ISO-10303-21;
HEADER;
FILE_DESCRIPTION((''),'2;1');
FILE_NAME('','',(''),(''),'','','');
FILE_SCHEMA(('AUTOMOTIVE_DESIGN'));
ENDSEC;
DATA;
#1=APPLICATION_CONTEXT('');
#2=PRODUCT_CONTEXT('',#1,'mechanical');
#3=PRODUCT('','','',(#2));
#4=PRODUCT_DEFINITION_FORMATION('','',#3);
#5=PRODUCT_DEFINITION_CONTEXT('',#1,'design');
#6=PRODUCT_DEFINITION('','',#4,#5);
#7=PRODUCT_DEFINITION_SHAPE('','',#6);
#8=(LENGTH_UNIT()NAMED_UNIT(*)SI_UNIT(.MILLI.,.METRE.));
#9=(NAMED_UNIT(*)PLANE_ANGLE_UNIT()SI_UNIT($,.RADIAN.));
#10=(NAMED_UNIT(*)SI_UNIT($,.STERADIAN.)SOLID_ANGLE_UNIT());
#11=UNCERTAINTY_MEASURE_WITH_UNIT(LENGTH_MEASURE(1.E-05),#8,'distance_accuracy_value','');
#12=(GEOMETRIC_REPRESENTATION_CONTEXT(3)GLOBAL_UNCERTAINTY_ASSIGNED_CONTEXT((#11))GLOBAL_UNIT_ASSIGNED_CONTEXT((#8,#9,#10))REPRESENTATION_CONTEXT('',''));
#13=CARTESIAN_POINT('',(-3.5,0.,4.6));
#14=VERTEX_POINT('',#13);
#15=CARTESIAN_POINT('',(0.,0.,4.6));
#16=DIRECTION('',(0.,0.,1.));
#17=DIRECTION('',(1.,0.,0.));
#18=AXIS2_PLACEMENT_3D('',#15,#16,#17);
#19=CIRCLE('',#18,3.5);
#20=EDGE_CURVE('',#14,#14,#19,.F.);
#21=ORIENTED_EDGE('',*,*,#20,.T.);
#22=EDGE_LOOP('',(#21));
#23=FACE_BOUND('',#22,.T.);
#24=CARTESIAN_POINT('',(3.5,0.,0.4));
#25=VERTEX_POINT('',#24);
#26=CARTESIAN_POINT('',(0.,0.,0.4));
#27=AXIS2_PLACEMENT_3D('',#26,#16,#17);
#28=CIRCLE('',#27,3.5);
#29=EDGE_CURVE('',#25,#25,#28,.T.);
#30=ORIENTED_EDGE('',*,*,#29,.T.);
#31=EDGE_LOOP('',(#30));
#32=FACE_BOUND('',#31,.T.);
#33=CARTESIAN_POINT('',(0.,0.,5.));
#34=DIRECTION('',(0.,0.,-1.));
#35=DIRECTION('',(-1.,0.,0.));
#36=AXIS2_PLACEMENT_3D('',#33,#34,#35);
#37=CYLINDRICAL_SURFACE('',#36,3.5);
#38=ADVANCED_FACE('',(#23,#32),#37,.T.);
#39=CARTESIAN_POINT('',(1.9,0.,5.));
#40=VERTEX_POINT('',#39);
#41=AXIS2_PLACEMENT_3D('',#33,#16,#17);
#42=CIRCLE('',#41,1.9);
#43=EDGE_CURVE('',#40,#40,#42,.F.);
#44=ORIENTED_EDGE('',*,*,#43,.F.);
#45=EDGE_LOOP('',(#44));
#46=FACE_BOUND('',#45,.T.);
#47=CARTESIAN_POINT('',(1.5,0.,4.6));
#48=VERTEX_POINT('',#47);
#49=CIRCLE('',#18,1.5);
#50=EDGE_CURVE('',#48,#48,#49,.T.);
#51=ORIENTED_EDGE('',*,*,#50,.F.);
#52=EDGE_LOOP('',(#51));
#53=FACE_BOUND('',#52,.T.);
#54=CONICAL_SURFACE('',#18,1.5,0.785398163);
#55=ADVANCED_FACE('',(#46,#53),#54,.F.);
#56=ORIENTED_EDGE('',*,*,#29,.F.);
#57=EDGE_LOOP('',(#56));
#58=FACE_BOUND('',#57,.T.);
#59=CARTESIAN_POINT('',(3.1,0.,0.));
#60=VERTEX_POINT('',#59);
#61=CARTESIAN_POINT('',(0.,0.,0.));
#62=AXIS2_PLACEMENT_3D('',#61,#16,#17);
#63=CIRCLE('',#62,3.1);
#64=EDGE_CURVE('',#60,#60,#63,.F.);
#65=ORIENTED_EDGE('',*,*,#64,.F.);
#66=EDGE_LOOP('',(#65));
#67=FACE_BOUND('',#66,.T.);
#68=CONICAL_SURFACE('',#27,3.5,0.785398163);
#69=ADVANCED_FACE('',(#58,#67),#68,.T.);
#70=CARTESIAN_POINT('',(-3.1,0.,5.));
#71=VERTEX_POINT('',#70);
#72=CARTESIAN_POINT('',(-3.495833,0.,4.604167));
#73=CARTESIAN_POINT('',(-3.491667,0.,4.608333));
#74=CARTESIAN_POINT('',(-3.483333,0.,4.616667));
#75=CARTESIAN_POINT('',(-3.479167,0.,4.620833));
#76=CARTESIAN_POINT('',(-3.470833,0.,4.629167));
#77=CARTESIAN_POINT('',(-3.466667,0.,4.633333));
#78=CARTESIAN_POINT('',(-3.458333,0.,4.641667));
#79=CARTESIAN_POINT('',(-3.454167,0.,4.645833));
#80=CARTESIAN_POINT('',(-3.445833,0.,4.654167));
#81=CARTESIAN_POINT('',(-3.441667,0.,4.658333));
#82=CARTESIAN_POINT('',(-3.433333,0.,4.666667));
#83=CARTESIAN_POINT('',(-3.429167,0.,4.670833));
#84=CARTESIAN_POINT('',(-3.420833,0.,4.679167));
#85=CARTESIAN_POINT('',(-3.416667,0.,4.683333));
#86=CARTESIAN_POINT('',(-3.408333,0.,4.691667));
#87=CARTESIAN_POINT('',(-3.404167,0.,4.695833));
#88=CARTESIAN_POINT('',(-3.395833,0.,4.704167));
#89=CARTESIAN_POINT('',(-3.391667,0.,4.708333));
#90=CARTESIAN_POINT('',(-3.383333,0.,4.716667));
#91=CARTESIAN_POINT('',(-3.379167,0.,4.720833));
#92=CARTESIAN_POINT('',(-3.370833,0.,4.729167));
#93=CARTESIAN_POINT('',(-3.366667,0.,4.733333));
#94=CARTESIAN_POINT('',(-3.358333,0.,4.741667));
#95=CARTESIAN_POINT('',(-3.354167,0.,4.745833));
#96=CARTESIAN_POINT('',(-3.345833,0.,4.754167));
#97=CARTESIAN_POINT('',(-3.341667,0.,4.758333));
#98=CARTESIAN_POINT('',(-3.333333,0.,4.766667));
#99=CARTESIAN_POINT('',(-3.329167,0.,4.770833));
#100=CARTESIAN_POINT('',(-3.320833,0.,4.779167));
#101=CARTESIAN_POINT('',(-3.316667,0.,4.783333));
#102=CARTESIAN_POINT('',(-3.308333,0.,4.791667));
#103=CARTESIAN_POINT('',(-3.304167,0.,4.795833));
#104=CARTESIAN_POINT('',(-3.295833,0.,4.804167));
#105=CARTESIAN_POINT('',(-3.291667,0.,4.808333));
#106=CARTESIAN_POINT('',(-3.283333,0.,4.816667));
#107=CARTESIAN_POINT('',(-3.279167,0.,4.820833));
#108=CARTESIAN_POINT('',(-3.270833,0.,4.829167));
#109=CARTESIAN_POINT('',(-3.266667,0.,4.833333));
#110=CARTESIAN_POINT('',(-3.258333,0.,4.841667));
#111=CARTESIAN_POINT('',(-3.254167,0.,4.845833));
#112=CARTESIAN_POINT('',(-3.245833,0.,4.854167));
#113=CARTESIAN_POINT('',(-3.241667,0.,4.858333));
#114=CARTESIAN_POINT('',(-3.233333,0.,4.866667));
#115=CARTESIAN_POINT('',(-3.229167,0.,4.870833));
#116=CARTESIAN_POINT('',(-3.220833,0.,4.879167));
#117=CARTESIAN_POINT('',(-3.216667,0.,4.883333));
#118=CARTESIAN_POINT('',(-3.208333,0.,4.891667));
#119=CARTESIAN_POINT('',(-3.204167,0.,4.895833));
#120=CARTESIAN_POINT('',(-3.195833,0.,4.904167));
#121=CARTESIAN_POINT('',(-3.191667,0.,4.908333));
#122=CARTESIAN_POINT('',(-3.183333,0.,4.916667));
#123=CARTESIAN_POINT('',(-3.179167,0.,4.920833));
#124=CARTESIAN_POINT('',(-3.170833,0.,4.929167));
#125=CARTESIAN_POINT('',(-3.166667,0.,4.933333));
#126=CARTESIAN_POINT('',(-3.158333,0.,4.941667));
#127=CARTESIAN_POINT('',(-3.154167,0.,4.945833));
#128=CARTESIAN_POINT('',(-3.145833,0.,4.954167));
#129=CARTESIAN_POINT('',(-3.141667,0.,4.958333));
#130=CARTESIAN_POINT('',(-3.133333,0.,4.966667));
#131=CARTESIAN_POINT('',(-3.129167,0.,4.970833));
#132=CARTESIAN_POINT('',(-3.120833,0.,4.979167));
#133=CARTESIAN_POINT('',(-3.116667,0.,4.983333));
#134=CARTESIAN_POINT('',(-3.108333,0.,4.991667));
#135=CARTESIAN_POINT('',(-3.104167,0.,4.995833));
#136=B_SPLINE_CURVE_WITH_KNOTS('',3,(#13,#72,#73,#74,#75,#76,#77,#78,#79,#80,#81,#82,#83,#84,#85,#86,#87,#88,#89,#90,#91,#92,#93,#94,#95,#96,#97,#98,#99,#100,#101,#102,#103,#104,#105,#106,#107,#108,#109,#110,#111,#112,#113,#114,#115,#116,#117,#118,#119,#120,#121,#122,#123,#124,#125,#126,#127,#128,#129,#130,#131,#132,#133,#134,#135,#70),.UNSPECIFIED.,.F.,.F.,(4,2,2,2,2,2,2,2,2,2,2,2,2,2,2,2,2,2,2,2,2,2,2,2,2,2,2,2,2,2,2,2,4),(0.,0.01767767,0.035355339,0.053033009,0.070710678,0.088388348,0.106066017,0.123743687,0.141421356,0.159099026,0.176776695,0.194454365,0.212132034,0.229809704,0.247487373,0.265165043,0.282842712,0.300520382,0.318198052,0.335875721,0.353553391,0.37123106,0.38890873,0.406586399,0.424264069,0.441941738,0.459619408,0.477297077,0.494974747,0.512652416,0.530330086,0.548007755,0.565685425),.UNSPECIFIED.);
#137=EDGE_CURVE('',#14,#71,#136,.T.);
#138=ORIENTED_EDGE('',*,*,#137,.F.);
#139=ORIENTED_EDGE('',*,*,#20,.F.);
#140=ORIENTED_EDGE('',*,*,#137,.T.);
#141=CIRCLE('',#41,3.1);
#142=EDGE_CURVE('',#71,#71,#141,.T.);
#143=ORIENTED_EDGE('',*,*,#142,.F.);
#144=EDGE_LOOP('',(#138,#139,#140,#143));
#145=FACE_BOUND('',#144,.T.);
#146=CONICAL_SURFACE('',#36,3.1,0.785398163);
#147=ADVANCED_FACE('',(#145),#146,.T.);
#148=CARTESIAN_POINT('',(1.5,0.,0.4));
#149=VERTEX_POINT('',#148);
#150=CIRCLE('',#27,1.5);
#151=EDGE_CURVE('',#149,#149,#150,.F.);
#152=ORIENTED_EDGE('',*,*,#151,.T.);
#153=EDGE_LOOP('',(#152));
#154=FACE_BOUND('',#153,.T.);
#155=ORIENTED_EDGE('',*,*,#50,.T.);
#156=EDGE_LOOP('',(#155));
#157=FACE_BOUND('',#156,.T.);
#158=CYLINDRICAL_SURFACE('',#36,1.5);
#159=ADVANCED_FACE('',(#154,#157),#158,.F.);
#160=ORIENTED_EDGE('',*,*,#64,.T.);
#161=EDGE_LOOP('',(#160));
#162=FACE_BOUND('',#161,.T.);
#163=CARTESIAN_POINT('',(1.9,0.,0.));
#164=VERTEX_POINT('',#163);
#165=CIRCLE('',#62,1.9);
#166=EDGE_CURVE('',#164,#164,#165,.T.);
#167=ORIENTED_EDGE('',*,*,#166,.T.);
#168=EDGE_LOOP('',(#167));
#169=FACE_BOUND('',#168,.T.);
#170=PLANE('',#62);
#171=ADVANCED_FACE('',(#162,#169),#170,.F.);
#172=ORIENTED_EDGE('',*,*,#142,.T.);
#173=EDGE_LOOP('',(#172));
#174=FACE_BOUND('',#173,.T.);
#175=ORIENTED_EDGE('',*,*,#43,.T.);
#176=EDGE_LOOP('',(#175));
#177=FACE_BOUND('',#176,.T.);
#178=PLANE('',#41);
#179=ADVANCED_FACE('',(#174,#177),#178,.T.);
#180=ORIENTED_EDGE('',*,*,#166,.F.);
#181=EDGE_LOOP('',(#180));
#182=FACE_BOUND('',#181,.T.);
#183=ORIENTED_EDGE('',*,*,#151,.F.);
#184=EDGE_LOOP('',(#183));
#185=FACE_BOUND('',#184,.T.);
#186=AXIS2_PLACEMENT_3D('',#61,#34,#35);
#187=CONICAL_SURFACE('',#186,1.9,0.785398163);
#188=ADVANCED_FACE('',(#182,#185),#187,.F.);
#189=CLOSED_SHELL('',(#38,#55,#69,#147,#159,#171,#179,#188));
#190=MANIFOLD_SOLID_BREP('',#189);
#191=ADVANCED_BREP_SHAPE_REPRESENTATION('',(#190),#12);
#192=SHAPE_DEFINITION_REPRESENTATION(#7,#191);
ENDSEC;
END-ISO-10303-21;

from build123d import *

# Parameters (mm, degrees)
SKETCH_1_R      = 3.5
SKETCH_1_R_2    = 1.5
EXTRUDE_1_DEPTH = 5
CHAMFER_1_SIZE  = 0.4


with BuildPart() as part:
    # 草图1 → 凸台-拉伸1 (new body)
    with BuildSketch(Plane.XY):
        Circle(SKETCH_1_R)
        Circle(SKETCH_1_R_2, mode=Mode.SUBTRACT)
    extrude(amount=EXTRUDE_1_DEPTH)

    # 倒角1
    chamfer_1_edges = [part.edges().sort_by_distance(p)[0] for p in [
        (-3.5, 0, 0),
        (-3.5, 0, 5),
        (-1.5, 0, 0),
        (-1.5, 0, 5),
    ]]
    chamfer(chamfer_1_edges, length=CHAMFER_1_SIZE)


solid = part.part
